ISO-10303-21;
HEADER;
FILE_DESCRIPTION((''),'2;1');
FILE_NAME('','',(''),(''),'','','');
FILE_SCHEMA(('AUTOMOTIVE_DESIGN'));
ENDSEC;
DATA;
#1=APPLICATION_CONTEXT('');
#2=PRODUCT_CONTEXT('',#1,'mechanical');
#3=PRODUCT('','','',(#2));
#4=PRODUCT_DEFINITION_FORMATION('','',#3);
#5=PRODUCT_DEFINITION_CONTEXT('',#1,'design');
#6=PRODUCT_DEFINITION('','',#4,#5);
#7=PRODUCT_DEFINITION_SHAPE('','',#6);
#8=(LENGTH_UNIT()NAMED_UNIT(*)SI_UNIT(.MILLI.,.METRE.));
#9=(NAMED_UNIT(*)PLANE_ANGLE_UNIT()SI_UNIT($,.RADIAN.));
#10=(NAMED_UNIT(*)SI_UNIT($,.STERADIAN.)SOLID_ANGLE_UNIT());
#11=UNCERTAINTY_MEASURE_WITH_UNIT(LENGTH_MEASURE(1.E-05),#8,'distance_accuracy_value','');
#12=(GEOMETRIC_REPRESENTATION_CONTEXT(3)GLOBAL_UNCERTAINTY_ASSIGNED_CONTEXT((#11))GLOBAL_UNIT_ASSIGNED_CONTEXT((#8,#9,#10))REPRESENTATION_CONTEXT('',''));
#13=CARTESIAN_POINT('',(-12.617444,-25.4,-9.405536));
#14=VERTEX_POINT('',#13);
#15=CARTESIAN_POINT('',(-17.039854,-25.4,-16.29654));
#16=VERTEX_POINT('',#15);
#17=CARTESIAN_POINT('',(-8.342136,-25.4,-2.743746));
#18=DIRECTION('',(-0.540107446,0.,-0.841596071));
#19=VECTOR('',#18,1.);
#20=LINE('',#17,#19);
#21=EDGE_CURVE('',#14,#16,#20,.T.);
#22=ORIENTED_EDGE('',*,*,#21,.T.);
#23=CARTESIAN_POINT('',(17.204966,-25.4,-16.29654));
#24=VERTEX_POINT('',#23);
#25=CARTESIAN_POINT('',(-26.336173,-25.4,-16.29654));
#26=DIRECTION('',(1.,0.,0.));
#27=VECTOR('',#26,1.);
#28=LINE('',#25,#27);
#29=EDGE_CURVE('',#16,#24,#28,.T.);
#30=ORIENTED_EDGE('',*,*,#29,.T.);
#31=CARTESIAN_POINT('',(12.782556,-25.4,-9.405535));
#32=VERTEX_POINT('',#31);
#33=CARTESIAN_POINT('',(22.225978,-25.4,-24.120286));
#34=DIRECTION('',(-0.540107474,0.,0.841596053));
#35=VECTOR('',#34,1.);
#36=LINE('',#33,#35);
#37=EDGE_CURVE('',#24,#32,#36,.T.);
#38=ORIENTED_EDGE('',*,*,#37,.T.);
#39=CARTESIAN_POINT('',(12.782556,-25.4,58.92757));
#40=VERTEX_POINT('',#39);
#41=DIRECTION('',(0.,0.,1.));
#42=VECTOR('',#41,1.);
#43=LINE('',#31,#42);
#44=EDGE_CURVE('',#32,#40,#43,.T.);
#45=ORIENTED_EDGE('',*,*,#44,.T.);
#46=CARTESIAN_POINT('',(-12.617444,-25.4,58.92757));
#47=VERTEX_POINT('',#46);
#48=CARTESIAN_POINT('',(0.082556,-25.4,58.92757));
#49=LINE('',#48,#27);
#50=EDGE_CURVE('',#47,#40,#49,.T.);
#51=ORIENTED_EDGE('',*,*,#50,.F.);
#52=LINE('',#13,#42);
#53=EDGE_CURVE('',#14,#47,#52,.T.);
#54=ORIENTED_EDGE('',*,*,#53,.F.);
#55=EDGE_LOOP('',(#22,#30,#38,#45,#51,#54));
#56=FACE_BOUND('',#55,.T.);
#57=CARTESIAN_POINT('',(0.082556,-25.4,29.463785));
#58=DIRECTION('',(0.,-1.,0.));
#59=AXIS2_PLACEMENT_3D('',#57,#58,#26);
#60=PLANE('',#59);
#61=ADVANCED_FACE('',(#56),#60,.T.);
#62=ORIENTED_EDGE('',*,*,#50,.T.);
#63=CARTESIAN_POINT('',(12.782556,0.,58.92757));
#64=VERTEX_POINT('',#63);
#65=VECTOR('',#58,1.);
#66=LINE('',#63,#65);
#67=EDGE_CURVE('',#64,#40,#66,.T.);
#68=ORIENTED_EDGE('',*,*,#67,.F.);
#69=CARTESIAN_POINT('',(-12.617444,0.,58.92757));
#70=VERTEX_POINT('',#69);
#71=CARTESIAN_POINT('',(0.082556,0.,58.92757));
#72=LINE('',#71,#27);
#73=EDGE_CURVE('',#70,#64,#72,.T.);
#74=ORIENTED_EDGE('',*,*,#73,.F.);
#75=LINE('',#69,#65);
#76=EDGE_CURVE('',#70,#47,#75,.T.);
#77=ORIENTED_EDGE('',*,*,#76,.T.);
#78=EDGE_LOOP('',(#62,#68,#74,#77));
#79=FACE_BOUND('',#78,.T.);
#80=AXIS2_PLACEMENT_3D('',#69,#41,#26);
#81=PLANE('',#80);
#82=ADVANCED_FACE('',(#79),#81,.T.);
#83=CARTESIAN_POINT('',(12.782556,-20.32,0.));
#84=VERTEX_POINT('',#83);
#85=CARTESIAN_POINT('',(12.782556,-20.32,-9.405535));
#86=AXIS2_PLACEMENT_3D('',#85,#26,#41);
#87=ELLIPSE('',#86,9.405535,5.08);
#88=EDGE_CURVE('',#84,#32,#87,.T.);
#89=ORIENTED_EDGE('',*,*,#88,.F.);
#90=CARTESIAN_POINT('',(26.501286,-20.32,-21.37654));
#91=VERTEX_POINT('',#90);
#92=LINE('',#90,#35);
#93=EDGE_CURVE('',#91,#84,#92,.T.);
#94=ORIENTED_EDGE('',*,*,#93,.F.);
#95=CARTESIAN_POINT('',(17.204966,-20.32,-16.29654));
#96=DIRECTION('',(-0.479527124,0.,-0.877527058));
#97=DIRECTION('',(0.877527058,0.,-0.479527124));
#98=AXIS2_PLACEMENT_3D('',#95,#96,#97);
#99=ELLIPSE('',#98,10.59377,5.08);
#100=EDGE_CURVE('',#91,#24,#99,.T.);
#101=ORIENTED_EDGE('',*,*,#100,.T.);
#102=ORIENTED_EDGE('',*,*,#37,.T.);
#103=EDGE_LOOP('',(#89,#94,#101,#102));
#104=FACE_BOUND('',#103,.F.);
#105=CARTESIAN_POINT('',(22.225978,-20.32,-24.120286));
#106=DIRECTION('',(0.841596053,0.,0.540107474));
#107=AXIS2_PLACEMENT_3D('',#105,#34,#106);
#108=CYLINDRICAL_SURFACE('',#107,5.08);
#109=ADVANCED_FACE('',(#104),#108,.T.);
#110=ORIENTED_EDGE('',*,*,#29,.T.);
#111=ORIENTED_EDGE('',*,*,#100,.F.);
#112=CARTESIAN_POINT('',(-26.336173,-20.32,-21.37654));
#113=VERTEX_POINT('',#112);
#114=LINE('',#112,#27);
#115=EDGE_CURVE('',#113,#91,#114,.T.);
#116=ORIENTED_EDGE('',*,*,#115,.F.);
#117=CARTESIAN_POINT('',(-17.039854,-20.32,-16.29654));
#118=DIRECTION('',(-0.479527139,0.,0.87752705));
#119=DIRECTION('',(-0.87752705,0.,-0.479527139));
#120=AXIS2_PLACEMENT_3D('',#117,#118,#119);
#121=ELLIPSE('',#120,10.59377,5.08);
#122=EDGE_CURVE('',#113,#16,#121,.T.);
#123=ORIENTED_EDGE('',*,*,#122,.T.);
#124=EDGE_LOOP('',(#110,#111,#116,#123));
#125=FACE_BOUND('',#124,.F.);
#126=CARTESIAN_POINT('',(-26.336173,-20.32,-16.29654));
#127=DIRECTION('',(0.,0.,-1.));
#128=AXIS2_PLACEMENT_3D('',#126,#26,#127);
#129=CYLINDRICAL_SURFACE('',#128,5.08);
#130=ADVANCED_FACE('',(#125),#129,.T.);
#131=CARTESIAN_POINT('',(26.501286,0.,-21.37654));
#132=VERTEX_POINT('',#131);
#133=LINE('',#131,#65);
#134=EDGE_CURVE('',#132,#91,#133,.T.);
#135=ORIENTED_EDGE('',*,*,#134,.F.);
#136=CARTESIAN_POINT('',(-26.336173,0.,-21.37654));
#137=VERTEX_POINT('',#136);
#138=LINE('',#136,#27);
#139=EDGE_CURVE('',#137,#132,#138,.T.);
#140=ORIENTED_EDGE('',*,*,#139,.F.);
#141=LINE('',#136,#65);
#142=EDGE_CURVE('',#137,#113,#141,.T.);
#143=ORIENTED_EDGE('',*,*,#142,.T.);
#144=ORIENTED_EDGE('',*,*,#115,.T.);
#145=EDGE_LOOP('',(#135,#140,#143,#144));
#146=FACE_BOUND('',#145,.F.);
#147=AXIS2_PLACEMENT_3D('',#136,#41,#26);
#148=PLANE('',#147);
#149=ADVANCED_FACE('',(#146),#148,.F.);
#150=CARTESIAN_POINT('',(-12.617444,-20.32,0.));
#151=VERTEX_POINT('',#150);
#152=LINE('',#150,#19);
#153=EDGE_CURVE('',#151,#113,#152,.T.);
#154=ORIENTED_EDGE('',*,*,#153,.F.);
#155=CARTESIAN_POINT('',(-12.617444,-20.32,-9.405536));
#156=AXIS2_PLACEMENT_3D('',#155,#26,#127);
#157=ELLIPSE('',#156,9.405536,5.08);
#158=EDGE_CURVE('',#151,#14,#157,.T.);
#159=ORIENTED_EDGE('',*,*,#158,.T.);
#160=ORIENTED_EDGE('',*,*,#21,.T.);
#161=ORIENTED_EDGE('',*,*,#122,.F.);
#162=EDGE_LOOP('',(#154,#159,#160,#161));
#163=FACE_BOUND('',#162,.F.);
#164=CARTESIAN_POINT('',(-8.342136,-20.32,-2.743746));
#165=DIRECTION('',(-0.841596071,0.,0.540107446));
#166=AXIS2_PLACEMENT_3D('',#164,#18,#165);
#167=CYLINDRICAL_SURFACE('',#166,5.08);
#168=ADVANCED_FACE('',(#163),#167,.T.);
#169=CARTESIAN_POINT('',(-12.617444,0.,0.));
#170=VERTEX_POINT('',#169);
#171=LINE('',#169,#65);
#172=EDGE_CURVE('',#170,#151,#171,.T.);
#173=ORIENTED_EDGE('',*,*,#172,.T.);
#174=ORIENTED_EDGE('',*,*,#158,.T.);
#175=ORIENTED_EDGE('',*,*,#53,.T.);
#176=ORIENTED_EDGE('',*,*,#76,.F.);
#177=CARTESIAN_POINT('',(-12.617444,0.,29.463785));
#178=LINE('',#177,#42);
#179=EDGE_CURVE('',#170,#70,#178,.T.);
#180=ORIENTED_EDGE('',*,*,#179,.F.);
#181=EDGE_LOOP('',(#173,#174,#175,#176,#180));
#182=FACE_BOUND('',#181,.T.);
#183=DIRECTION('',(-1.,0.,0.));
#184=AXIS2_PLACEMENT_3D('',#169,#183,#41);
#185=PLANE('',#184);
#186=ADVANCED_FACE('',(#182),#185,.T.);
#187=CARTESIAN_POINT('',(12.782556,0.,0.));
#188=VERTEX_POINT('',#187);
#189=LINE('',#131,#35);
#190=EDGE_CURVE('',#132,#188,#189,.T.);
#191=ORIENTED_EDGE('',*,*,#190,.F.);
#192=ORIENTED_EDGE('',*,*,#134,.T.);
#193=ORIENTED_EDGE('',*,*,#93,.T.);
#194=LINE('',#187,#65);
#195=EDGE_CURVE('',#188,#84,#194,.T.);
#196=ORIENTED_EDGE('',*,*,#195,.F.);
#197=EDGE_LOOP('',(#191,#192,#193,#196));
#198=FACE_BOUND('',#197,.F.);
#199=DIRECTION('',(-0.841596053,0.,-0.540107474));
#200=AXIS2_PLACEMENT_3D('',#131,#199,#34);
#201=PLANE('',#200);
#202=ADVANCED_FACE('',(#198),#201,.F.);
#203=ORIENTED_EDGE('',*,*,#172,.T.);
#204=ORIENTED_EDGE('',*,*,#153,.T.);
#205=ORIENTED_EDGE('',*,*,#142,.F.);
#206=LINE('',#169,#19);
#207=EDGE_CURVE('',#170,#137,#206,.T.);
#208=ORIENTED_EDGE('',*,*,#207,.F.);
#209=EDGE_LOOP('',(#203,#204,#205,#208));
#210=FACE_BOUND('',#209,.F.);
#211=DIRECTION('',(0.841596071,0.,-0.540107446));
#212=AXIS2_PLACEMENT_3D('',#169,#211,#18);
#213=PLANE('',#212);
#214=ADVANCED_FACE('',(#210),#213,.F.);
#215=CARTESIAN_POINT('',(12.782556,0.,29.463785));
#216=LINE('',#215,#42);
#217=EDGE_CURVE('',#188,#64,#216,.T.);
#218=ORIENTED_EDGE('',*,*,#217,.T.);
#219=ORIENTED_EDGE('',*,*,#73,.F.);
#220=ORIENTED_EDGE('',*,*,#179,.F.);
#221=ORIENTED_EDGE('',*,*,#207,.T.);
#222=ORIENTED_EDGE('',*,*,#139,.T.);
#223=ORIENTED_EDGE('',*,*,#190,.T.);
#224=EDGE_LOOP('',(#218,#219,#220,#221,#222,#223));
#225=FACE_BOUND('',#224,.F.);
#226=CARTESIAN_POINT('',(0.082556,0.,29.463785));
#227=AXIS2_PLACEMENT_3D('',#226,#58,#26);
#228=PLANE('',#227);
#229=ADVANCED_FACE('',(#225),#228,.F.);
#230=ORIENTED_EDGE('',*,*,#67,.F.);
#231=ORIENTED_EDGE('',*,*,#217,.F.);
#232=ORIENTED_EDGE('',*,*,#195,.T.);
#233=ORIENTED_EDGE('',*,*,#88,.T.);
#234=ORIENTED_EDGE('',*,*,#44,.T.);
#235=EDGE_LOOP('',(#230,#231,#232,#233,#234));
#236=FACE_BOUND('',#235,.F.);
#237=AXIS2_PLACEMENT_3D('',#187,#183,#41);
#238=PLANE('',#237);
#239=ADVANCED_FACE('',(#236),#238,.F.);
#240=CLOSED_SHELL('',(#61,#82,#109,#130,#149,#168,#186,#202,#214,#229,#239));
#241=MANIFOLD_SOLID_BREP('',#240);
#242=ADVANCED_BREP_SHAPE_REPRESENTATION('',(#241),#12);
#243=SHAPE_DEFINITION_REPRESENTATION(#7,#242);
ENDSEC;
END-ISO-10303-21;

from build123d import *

# Parameters (mm, degrees)
F0_W     = 25.4
F0_H     = 58.92757
F1_DEPTH = 25.4
F2_R     = 5.08


with BuildPart() as f1:
    # F0 (on Front) → F1 (new body)
    with BuildSketch(Plane.XZ):
        with Locations((0.082556, 29.463785)):
            Rectangle(F0_W, F0_H)
        Polygon((12.782556, 0), (-12.617444, 0), (-26.336173, -21.37654), (26.501286, -21.37654), align=None)
    extrude(amount=F1_DEPTH)

    # F2
    f2_edges = [f1.edges().sort_by_distance(p)[0] for p in [
        (-19.476808, -25.4, -10.68827),
        (0.082556, -25.4, -21.37654),
        (19.641921, -25.4, -10.68827),
    ]]
    fillet(f2_edges, radius=F2_R)


solid = f1.part
